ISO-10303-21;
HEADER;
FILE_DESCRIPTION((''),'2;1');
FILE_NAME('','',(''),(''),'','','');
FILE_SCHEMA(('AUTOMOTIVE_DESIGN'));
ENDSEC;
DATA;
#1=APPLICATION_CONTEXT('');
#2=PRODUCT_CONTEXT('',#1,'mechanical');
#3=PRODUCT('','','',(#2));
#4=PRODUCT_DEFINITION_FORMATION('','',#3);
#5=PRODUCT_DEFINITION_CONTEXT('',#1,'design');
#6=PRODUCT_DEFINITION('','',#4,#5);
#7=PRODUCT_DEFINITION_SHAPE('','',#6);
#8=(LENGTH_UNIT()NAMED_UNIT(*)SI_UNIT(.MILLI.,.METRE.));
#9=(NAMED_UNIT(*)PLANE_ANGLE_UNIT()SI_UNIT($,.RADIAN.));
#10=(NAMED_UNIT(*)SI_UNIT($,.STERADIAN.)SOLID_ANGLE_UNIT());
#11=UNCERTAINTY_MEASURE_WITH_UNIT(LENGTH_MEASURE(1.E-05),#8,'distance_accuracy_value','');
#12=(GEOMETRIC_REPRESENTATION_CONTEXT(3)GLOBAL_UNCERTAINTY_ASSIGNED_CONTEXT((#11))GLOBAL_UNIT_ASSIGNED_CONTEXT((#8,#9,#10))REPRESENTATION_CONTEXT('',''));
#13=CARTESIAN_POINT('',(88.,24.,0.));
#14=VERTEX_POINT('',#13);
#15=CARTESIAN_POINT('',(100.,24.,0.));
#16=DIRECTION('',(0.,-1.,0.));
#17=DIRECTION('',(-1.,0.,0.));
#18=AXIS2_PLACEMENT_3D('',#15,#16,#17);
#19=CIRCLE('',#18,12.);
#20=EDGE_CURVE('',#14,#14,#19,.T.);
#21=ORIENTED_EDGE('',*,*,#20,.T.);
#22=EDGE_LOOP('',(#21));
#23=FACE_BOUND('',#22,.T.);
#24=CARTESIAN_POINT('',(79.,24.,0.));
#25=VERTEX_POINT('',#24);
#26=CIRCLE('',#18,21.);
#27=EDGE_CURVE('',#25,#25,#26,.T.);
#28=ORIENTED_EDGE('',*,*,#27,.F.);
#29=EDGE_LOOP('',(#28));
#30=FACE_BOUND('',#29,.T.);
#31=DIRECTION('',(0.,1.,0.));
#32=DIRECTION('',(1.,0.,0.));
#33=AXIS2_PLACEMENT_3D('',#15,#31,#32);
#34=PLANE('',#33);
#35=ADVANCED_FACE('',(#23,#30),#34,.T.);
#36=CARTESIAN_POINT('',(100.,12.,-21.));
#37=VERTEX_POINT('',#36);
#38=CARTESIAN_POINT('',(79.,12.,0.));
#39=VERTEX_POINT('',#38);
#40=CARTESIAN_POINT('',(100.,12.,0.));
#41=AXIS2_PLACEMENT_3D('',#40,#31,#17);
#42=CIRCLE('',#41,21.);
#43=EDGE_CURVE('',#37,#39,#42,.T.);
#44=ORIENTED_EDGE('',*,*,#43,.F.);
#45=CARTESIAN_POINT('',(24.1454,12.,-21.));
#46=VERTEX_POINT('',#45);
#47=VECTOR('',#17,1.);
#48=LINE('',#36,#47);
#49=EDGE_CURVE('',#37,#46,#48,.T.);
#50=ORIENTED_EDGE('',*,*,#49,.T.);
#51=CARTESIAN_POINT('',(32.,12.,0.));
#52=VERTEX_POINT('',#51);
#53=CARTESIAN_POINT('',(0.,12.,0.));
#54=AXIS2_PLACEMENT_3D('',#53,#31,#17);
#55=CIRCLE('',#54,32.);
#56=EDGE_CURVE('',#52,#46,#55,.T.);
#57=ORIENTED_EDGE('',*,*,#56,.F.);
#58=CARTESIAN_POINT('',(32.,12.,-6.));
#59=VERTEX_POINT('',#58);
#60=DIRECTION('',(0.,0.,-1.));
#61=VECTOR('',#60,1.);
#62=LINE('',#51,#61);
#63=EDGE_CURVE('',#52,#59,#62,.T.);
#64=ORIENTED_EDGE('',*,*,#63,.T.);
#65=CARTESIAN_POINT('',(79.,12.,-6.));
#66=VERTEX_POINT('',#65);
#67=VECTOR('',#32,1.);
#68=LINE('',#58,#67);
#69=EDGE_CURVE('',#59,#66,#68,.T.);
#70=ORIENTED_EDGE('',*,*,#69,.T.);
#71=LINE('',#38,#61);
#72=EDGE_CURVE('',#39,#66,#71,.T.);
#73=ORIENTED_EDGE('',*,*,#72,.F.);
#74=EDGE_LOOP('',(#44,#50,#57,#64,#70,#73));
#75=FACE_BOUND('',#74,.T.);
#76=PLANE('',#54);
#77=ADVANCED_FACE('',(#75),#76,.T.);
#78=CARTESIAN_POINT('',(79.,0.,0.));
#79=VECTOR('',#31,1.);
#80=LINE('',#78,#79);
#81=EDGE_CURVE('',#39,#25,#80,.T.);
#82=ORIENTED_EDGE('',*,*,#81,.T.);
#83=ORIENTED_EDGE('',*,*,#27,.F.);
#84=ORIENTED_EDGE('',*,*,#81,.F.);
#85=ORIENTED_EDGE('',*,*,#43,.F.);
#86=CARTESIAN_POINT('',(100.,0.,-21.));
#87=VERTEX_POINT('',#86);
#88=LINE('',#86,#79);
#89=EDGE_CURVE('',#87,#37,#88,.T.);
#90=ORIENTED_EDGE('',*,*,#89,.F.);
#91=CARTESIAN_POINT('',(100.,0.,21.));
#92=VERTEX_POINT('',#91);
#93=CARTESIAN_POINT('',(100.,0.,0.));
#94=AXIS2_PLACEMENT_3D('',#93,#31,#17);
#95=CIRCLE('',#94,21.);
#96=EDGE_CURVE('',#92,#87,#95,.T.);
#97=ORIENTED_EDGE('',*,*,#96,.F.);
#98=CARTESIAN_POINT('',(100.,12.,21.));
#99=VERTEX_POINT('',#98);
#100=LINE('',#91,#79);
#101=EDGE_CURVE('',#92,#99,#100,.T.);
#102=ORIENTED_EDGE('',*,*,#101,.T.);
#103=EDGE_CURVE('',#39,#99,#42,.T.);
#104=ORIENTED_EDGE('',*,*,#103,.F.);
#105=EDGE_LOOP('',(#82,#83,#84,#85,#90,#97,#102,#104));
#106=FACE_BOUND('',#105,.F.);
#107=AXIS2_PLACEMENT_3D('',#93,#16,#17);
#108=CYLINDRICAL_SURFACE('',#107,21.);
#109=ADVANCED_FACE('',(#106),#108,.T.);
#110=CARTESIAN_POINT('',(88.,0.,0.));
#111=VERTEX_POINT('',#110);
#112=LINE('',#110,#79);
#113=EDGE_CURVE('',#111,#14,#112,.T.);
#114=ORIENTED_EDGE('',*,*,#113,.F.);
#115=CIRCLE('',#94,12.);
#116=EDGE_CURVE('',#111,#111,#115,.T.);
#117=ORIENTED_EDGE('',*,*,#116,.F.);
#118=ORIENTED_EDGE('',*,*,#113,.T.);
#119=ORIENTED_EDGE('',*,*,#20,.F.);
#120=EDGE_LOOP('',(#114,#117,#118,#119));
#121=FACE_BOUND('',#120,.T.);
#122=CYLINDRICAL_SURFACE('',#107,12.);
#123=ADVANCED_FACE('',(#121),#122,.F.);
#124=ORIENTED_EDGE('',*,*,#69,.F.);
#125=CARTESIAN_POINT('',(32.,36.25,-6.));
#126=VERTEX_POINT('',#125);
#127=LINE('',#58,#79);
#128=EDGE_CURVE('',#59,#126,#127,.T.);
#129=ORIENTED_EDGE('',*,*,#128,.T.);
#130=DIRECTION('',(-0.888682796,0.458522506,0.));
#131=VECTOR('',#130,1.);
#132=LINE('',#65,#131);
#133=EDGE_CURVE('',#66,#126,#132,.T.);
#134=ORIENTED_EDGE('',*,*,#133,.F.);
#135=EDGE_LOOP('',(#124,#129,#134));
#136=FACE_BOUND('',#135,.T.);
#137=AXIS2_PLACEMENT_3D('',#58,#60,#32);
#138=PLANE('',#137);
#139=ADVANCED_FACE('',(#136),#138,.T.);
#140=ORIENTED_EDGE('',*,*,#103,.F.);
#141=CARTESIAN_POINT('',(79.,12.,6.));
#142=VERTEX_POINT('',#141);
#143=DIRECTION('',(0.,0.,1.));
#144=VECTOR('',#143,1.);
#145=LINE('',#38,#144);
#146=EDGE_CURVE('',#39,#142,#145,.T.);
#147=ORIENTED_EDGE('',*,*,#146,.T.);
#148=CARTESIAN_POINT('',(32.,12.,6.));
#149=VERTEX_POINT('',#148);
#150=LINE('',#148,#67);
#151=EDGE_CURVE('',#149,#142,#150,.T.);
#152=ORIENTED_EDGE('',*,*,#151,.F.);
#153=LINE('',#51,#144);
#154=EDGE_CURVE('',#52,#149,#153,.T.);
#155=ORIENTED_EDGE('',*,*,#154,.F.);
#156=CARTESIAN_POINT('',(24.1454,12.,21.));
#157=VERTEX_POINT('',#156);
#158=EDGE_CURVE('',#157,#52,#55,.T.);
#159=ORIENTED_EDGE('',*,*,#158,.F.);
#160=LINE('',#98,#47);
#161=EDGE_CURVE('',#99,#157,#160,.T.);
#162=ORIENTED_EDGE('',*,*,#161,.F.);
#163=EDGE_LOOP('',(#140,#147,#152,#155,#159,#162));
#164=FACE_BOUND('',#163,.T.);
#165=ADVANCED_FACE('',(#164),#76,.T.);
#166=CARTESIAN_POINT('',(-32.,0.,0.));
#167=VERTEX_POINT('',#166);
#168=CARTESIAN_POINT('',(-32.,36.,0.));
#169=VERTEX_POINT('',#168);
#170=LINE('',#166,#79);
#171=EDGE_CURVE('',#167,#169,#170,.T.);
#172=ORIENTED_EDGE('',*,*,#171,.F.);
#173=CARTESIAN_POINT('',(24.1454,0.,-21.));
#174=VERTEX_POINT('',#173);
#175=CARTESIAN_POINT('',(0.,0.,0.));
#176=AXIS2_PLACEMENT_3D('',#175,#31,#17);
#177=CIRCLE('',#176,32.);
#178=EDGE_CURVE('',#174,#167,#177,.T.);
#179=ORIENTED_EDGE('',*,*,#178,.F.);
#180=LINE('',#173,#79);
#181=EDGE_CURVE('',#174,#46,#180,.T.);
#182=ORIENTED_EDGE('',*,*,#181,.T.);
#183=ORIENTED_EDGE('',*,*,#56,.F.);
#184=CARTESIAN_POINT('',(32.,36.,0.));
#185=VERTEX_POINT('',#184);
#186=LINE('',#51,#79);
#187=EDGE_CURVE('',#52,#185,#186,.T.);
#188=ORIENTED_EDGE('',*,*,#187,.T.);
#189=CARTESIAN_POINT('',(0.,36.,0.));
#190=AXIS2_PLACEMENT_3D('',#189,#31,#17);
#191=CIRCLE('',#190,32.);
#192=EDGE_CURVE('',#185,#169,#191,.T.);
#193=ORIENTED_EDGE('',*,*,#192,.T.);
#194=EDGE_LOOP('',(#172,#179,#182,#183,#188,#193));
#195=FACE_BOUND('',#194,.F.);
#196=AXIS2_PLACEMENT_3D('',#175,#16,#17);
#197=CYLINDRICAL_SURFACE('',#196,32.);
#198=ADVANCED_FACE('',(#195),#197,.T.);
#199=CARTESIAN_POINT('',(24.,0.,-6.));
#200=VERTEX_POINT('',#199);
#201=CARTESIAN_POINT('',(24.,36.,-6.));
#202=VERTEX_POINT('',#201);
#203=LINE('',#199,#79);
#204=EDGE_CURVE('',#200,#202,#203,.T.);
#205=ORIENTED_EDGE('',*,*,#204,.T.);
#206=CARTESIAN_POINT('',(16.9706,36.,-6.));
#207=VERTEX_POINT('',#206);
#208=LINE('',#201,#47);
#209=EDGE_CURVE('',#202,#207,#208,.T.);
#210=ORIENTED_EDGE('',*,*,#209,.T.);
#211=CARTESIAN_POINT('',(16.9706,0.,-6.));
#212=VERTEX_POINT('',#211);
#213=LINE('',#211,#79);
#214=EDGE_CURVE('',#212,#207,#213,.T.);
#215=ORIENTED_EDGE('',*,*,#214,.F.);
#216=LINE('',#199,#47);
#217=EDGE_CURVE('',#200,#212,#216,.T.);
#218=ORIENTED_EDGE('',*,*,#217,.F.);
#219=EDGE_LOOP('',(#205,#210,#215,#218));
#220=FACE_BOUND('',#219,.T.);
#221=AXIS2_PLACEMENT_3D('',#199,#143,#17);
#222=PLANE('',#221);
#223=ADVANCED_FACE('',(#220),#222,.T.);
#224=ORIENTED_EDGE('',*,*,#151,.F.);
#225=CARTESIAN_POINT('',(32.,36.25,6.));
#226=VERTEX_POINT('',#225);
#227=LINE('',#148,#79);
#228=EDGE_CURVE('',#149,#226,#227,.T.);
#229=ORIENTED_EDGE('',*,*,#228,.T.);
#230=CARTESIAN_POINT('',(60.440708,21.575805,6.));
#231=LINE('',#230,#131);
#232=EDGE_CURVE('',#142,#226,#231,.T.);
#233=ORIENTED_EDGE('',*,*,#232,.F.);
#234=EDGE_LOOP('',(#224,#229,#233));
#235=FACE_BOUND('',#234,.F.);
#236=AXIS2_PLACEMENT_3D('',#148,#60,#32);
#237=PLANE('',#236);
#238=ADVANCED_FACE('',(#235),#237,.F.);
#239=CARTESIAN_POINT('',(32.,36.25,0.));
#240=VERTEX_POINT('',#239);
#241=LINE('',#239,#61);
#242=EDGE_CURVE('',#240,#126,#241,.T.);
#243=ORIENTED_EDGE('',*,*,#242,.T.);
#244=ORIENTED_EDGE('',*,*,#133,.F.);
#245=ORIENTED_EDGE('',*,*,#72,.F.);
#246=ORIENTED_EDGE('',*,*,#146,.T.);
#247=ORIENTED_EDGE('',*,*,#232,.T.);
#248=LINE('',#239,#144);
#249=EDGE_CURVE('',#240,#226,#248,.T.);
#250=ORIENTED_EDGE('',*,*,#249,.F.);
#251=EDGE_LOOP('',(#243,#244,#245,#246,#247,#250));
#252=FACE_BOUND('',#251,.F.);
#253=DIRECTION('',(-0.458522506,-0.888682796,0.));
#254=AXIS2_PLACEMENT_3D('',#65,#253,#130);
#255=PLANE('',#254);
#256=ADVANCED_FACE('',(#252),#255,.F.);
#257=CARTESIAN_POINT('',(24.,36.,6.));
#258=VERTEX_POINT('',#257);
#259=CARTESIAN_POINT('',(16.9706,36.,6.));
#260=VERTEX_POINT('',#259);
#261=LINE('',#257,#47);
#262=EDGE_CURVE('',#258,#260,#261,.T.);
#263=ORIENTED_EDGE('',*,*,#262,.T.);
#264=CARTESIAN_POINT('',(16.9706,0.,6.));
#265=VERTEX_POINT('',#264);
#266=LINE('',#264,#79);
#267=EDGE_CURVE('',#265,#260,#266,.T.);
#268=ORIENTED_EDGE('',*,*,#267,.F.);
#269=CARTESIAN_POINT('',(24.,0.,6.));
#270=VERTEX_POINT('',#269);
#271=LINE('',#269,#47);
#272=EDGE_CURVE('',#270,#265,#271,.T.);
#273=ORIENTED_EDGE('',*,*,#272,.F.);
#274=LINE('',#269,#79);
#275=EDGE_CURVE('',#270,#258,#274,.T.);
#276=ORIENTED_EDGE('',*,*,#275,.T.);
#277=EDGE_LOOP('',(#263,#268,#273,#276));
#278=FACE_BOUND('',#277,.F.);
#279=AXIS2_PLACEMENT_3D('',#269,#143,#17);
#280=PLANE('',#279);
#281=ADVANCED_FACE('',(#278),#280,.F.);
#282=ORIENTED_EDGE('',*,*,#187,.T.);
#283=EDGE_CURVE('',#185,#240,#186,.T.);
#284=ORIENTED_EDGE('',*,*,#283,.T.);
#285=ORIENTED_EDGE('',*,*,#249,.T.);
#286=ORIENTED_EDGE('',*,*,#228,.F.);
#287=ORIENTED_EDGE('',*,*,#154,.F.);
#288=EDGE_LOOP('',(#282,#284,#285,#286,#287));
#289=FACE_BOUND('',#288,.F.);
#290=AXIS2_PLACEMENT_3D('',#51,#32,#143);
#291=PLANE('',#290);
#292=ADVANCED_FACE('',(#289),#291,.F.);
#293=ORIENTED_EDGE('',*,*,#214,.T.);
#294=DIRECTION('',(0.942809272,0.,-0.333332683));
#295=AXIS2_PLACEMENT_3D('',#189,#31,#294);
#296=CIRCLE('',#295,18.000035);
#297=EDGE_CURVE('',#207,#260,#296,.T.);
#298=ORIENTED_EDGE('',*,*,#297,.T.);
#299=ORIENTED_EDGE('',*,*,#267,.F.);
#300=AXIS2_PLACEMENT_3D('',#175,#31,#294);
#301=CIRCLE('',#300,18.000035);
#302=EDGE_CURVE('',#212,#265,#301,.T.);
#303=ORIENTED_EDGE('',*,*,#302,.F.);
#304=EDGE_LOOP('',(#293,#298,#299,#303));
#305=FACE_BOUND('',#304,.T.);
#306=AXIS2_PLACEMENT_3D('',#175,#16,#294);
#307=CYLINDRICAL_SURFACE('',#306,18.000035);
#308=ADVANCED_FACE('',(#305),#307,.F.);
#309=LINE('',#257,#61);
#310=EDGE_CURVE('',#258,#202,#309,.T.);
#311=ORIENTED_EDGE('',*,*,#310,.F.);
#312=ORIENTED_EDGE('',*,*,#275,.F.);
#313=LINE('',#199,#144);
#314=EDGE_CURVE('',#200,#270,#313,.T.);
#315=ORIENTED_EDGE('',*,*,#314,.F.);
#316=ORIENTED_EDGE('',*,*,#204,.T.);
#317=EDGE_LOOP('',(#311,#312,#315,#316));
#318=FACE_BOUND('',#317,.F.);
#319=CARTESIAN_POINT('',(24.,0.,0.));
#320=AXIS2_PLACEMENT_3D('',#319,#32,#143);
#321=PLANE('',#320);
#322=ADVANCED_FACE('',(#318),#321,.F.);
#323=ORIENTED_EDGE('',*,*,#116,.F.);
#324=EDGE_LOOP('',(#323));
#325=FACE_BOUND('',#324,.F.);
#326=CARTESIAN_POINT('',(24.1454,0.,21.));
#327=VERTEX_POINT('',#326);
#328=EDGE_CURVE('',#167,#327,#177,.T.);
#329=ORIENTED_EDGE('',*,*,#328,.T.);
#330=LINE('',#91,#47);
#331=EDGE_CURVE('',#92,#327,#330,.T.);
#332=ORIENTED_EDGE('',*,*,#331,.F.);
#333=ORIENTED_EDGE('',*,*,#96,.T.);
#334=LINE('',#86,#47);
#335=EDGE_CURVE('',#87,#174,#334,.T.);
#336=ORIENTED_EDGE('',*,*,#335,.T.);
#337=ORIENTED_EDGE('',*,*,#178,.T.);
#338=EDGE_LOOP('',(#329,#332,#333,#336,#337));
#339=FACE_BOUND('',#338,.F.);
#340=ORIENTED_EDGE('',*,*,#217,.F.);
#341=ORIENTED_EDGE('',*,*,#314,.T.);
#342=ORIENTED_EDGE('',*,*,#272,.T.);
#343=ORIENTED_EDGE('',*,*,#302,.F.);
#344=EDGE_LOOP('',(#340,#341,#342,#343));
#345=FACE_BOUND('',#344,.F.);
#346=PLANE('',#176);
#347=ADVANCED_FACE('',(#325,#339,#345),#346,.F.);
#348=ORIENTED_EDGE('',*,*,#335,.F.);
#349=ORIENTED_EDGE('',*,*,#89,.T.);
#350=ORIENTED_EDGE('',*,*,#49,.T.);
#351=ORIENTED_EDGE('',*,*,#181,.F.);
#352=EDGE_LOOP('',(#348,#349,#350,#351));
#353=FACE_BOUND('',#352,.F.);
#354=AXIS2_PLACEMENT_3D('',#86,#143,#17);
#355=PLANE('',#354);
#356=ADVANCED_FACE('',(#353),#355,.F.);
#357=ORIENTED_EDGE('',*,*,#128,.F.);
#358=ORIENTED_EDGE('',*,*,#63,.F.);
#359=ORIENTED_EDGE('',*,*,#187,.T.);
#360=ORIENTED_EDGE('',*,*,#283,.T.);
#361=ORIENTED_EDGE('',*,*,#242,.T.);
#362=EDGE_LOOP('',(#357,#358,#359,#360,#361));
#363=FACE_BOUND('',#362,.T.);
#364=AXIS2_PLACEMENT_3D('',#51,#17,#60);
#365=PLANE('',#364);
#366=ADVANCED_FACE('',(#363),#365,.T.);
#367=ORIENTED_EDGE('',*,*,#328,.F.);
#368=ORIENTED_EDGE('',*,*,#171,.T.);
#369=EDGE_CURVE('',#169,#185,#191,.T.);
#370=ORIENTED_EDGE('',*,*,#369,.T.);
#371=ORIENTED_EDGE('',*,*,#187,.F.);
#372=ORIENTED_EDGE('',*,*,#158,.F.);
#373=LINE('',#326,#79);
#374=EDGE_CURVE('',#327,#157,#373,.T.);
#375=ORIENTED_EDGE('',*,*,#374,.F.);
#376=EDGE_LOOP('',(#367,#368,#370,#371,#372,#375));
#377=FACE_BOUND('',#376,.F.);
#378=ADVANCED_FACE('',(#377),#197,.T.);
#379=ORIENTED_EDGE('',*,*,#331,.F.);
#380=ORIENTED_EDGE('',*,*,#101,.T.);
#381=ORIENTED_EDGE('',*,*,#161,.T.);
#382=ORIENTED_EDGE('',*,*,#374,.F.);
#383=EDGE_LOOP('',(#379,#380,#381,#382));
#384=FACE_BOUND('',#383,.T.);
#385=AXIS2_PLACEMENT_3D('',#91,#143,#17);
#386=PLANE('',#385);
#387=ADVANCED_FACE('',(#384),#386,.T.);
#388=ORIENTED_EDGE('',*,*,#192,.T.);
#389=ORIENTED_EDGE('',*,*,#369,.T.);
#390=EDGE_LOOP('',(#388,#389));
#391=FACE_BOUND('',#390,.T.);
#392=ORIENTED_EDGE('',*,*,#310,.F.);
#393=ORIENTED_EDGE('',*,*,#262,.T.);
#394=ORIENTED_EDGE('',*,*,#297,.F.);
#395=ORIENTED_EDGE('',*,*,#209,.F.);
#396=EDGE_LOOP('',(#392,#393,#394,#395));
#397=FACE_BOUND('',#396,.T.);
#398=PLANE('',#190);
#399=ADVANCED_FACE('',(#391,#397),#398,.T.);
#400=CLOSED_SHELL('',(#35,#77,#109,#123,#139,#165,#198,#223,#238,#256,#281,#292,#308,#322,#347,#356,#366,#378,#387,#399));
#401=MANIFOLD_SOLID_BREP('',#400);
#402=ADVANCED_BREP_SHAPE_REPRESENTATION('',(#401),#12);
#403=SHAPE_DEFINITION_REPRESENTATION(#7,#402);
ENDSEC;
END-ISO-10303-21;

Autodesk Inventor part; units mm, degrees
ref_plane "YZ Plane" through (0, 0, 0) normal (1, 0, 0) x (0, 1, 0)
ref_plane "XZ Plane" through (0, 0, 0) normal (0, 1, 0) x (-1, 0, 0)
ref_plane "XY Plane" through (0, 0, 0) normal (0, 0, 1) x (1, 0, 0)
sketch "Sketch1" plane through (0, 0, 0) normal (0, 1, 0) x (-1, 0, 0)
  arc A0 (-16.9706, -6) -> (-16.9706, 6) centre (0, 0) ccw
  circle A1 centre (0, 0) radius 32
  line L0 (-24, 0) -> (-24, 6)
  line L1 (-24, 0) -> (-24, -6)
  line L2 (-24, 6) -> (-16.9706, 6)
  line L3 (-24, -6) -> (-16.9706, -6)
  circle A2 centre (-100, 0) radius 12
  circle A3 centre (-100, 0) radius 21
  dimension "d0" = 36
  dimension "d1" = 64
  dimension "d3" = 6
  dimension "d4" = 6
  dimension "d6" = 24
  dimension "d7" = 42
extrude "Extrusion1" add sketch "Sketch1" along normal blind 36
sketch "Sketch2" plane through (100, 36, 0) normal (0, 1, 0) x (1, 0, 0)
  circle A0 centre (0, 0) radius 12 projected
  circle A1 centre (0, 0) radius 21
  point P0 (-100, 0)
  dimension "d10" = 42
extrude "Extrusion2" cut sketch "Sketch2" against normal blind 12
sketch "Sketch3" plane through (0, 0, 0) normal (0, 1, 0) x (-1, 0, 0)
  circle A0 centre (-100, 0) radius 21 projected
  line L0 (-100, -21) -> (-24.1454, -21)
  circle A1 centre (0, 0) radius 32 projected
  line L1 (-100, 21) -> (-24.1454, 21)
  arc A2 (-100, -21) -> (-100, 21) centre (-100, 0) ccw
  circle A3 centre (0, 0) radius 30.971
  circle A4 centre (0, 0) radius 32
  circle A5 centre (-100, 0) radius 21
  dimension "d14" = 64
extrude "Extrusion3" add sketch "Sketch3" along normal blind 12 contours A0 L1 A1 L0
sketch "Sketch4" plane through (0, 12, 0) normal (0, 1, 0) x (1, 0, 0)
  arc A0 (24.1454, -21) -> (24.1454, 21) centre (0, 0) ccw projected
  line L0 (32, 0) -> (32, -6)
  line L1 (32, 0) -> (32, 6)
  arc A1 (100, 21) -> (100, -21) centre (100, 0) ccw projected
  line L2 (79, 0) -> (79, 6)
  line L3 (79, 0) -> (79, -6)
  line L4 (32, 6) -> (79, 6)
  line L5 (32, -6) -> (79, -6)
  dimension "d17" = 6
  dimension "d18" = 6
  dimension "d19" = 6
  dimension "d20" = 6
extrude "Extrusion4" add sketch "Sketch4" along normal blind 24.25
sketch "Sketch5" plane through (79, 12, -6) normal (0, 0, -1) x (-1, 0, 0)
  line L0 (0, 0) -> (0, 24.25) projected
  line L1 (0, 0) -> (47, 24.25)
  line L2 (47, 24.25) -> (0, 24.25)
  line L3 (0, 0) -> (-21, 0) projected
  line L4 (0, 24.25) -> (0, 0)
  point P0 (79, -12)
extrude "Extrusion5" cut sketch "Sketch5" against normal blind 24.25
properties part number "6 -  Part 4"
